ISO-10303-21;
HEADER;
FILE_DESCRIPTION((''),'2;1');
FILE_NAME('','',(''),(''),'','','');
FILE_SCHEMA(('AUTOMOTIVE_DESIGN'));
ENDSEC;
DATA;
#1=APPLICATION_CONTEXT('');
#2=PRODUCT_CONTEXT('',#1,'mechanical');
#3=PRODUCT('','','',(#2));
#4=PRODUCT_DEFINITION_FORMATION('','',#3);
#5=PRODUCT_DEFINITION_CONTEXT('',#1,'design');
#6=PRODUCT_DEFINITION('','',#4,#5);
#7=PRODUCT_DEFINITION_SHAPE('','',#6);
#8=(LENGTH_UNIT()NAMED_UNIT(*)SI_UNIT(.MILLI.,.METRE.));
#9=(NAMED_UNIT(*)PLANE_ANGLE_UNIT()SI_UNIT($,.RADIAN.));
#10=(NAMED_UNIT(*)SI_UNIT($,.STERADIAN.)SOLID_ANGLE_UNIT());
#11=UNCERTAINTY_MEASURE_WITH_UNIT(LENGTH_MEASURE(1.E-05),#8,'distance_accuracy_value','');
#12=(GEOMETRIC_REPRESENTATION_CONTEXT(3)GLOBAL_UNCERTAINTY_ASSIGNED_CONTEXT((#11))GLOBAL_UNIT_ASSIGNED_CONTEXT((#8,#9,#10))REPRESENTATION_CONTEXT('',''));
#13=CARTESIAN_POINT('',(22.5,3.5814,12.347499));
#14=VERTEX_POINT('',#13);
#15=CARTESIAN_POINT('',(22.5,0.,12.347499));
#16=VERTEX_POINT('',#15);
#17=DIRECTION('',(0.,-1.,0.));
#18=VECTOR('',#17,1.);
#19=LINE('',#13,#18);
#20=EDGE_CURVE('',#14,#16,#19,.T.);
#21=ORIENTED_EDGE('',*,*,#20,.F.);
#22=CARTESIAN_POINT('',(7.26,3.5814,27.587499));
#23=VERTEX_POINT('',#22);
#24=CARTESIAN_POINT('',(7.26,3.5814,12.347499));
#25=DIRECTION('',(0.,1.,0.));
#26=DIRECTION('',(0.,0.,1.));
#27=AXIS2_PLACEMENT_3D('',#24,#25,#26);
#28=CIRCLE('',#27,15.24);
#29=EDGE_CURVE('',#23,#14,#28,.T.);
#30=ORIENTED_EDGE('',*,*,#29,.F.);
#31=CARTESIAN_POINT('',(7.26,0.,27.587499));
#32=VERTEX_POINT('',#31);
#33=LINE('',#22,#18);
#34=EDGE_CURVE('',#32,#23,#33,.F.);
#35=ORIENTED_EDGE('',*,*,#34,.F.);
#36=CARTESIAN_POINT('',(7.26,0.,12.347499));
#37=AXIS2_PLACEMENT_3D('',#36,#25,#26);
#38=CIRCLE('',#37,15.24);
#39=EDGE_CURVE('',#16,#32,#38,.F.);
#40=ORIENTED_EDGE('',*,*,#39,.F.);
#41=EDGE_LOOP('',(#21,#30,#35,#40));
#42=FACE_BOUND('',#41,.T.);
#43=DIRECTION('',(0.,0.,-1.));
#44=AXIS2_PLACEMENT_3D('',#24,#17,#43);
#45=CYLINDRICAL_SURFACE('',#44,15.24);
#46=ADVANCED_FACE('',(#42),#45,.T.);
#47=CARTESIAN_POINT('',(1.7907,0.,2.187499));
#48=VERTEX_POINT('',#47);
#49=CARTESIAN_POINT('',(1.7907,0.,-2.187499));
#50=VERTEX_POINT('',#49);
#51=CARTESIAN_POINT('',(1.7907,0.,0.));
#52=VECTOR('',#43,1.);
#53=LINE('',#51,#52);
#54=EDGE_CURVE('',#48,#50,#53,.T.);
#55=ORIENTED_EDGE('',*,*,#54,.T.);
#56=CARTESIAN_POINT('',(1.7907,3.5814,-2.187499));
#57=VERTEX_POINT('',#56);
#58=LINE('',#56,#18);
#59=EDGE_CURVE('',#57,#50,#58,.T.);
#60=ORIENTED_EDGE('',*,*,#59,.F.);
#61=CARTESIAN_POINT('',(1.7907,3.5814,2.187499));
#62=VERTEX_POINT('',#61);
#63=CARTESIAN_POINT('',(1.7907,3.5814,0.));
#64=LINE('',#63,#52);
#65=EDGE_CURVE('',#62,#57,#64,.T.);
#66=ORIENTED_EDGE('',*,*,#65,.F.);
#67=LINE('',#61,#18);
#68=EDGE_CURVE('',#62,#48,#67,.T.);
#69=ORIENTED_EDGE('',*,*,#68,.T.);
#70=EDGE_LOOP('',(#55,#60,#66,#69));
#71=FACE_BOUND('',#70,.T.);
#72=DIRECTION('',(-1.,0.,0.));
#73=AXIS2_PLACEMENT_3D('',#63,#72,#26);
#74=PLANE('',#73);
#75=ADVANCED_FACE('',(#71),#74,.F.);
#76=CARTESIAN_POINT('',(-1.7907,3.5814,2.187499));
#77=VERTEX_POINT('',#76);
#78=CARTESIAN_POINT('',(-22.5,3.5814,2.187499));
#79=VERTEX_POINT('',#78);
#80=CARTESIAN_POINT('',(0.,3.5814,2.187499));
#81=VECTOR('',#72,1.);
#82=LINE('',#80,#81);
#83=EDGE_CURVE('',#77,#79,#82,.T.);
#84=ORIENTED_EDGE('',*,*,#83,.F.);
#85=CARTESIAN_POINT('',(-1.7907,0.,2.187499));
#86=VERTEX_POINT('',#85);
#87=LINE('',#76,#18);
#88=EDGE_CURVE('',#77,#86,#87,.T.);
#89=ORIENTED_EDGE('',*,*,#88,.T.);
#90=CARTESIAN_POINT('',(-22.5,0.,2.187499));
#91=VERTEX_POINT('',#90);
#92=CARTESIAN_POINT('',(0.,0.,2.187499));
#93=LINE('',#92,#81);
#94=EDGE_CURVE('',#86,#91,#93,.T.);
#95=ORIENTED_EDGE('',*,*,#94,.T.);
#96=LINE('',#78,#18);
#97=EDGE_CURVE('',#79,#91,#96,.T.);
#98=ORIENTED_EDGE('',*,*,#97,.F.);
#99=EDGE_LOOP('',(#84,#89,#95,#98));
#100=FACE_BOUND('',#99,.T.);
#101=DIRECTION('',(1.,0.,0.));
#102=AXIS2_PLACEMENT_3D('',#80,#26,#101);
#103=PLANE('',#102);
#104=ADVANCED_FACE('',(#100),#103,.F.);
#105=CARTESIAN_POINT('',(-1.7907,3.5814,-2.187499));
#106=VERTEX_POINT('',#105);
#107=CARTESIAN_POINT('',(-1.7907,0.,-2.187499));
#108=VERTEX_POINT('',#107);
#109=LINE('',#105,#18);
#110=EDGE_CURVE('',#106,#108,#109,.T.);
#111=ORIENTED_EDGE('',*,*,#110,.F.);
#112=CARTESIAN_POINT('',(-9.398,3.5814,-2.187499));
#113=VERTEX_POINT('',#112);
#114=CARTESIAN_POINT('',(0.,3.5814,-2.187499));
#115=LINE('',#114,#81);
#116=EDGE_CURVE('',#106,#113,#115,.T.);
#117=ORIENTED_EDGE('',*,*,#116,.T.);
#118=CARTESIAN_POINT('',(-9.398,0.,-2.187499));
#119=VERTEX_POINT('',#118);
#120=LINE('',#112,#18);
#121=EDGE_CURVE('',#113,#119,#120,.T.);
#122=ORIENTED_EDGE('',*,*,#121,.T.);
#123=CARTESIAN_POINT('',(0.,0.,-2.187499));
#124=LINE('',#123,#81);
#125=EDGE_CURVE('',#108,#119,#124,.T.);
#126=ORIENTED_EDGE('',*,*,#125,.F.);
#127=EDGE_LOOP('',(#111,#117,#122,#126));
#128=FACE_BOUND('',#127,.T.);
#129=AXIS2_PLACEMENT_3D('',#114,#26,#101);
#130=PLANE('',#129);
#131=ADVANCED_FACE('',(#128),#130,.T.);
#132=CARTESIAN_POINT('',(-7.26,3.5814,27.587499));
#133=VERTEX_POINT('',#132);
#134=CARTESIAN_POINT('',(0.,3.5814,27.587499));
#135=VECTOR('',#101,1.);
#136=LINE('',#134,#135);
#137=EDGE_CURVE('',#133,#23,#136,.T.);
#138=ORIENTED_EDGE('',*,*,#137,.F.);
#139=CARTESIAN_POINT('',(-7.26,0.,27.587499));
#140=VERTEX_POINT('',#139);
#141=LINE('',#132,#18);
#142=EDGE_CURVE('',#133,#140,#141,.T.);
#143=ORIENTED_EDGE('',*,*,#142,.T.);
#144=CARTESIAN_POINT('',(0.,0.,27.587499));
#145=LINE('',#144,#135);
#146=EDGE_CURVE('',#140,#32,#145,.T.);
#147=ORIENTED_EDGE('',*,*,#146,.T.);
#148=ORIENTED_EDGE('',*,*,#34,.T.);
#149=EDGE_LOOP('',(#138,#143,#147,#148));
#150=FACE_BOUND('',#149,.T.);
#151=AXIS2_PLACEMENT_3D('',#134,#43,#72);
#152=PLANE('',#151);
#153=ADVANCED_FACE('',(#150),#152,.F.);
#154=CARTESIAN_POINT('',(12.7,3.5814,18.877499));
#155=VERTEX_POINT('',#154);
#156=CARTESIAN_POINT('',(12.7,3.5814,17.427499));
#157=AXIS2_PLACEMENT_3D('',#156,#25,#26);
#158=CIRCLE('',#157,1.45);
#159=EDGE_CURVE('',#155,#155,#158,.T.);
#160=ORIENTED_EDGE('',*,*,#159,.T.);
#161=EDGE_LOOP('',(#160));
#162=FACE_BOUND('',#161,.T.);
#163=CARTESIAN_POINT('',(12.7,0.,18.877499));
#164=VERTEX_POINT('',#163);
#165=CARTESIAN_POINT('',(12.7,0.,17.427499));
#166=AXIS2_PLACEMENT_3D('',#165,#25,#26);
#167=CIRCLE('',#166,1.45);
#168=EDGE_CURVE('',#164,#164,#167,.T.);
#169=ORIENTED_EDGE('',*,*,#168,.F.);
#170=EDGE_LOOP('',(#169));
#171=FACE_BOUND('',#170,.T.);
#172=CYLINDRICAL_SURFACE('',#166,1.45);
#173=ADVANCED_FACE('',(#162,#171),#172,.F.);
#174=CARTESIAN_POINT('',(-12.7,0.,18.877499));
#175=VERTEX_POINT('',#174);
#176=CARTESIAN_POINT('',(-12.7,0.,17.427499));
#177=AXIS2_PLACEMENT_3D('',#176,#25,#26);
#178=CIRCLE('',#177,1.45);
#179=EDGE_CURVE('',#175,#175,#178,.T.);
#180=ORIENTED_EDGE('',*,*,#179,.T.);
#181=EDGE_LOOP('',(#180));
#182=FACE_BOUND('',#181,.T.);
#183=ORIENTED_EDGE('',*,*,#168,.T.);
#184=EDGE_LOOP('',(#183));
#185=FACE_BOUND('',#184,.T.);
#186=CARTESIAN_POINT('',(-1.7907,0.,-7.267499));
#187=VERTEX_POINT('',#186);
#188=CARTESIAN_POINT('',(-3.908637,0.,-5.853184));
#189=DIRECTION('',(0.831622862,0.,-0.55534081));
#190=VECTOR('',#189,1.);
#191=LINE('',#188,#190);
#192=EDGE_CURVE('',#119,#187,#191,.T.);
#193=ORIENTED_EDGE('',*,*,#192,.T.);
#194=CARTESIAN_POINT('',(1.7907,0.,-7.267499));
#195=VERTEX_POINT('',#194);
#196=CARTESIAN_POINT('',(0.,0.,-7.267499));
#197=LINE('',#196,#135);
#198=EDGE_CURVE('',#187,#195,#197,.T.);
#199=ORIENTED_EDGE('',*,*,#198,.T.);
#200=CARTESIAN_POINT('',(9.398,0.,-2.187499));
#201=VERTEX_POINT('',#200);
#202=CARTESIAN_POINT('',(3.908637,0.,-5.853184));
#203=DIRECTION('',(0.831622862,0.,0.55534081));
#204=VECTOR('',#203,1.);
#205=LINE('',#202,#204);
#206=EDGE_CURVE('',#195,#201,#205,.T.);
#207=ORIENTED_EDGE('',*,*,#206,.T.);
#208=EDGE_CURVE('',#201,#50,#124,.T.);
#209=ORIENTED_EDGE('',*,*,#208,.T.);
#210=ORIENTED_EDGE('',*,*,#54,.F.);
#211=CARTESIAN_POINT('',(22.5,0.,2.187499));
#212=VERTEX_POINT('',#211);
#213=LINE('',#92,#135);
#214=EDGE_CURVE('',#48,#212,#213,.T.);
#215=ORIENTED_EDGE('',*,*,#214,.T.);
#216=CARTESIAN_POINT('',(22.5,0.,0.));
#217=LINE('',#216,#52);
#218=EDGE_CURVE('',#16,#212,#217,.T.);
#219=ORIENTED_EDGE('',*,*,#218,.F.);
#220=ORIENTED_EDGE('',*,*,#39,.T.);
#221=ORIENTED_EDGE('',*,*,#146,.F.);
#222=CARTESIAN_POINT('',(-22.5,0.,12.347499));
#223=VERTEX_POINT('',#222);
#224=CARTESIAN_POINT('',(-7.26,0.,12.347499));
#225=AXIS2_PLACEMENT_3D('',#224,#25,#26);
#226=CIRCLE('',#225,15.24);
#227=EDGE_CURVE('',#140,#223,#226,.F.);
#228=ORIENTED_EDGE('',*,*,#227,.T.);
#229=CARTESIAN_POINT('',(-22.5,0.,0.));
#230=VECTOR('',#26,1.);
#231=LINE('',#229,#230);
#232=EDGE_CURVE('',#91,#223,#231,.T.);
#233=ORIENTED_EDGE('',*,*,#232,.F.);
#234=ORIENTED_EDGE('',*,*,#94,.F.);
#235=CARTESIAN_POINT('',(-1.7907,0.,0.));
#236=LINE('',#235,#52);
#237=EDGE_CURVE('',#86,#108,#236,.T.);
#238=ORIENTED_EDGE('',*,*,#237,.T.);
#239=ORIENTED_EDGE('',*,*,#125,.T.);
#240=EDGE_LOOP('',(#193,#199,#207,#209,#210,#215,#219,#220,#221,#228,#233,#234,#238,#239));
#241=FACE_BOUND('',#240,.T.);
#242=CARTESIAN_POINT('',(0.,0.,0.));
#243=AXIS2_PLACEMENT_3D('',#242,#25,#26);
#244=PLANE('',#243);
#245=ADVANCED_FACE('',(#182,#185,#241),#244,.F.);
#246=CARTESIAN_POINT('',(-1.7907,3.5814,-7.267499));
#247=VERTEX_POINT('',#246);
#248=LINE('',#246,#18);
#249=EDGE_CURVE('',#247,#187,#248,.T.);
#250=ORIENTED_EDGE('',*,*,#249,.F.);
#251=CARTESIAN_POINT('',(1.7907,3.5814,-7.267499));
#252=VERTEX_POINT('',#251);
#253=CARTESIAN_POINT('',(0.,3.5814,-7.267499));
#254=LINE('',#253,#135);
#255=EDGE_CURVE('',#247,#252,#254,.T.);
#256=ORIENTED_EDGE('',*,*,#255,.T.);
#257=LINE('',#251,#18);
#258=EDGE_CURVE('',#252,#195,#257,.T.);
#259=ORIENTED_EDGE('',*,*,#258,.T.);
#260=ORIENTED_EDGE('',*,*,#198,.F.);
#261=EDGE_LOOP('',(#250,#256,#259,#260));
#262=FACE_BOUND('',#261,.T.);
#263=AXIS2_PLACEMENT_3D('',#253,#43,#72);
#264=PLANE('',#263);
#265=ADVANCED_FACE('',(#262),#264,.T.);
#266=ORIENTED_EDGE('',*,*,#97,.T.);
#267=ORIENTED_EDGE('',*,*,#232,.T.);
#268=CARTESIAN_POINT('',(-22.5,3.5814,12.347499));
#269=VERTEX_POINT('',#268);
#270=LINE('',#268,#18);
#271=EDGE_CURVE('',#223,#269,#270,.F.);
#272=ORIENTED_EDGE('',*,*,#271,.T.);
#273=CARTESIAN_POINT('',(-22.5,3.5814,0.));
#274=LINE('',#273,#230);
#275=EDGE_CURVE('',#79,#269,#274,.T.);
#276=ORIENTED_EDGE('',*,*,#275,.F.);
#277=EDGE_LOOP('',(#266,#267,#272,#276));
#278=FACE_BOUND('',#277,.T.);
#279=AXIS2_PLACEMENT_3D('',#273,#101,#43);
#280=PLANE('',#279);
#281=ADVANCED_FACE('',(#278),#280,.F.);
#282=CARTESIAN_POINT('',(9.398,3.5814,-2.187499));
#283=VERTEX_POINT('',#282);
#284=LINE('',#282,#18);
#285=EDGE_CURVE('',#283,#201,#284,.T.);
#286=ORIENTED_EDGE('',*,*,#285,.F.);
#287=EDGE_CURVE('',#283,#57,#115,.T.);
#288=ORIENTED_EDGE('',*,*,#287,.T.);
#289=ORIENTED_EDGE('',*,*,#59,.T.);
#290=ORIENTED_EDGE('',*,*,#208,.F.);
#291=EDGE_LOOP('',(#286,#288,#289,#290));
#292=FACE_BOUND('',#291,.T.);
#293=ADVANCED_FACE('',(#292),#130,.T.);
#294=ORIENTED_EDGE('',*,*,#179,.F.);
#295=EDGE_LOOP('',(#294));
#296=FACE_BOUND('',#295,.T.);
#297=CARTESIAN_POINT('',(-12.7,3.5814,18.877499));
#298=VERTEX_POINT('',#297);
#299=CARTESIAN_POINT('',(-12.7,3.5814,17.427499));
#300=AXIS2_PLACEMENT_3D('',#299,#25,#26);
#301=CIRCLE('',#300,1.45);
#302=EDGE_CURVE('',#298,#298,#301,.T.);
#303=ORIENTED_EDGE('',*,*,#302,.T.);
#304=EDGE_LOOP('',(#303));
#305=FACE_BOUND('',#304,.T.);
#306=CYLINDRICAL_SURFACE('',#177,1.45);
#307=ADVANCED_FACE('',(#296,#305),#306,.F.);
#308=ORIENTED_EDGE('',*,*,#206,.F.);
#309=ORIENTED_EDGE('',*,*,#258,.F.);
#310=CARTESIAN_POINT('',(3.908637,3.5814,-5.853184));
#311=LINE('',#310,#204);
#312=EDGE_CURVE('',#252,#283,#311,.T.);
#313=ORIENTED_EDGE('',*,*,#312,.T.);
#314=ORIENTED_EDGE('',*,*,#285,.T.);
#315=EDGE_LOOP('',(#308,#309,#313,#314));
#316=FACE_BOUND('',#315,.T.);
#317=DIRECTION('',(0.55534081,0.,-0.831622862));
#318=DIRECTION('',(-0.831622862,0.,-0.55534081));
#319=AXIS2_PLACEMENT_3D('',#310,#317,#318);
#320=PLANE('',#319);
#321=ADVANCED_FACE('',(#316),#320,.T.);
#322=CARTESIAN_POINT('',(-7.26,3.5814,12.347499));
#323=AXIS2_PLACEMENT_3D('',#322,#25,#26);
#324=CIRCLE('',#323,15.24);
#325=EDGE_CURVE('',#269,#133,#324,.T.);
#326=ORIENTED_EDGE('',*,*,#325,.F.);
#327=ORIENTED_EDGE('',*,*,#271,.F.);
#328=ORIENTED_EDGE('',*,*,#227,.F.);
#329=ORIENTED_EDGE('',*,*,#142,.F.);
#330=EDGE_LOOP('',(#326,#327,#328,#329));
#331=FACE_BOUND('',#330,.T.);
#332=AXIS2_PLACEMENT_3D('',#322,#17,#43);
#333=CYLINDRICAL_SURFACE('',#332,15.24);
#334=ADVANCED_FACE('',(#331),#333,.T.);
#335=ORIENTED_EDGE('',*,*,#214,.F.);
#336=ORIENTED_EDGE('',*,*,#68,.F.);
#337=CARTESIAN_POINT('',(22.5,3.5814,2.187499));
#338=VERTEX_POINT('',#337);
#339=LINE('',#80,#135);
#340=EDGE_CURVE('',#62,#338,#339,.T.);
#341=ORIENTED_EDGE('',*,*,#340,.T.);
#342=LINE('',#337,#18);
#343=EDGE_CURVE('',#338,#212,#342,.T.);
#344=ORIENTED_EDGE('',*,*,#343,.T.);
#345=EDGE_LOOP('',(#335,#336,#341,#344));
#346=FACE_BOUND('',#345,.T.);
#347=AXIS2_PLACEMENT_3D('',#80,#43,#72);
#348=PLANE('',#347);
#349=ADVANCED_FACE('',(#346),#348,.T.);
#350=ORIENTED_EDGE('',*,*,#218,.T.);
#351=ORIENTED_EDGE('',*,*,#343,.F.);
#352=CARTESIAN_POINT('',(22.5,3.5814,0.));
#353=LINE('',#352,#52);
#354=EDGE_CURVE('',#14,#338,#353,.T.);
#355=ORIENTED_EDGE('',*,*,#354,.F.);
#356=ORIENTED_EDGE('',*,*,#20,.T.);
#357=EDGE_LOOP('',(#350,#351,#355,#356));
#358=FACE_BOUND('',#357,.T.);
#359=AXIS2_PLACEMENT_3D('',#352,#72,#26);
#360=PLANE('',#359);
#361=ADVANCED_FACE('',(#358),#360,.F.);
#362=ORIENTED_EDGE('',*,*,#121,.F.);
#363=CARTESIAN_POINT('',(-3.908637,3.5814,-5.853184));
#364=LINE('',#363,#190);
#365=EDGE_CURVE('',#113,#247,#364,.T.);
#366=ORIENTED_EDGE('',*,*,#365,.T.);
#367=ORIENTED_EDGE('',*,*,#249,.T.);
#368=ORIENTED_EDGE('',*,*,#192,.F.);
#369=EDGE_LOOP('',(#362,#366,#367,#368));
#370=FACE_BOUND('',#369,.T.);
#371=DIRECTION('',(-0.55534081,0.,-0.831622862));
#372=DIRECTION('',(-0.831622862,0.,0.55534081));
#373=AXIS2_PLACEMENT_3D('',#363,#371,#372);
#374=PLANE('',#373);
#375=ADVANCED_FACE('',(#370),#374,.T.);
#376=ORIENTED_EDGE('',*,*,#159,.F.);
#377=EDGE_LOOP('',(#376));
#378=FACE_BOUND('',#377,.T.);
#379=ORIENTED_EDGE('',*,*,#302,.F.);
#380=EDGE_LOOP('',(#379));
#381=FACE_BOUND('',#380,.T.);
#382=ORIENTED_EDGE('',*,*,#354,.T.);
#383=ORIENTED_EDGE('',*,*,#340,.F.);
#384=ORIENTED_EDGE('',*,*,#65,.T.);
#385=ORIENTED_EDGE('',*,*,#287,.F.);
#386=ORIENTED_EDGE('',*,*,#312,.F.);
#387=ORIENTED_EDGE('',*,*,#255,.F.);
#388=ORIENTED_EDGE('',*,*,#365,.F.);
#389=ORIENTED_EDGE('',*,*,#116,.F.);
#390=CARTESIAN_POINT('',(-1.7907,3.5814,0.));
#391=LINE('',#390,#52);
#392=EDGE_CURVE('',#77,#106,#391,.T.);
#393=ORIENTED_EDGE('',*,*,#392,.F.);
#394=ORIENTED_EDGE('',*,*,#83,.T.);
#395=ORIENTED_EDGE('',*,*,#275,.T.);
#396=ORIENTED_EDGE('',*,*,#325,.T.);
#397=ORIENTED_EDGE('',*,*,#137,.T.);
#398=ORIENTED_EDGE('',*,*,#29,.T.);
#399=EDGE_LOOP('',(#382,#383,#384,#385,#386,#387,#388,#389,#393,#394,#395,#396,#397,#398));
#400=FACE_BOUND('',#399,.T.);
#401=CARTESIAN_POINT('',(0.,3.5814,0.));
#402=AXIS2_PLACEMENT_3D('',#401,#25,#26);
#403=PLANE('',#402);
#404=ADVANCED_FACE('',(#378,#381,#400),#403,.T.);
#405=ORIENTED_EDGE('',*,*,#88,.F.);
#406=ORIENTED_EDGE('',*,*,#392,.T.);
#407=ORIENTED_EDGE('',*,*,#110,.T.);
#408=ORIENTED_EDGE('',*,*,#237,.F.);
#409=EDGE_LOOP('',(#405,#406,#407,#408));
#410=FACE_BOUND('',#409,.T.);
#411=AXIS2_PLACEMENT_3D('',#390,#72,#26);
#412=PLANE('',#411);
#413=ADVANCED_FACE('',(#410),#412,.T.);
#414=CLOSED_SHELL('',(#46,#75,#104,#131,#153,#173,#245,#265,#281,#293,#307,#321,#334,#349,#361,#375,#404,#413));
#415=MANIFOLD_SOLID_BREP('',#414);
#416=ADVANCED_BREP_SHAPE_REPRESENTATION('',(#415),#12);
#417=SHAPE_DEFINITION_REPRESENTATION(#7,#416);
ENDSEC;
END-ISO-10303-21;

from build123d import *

# Parameters (mm, degrees)
BOSS_EXTRUDE1_DEPTH = 3.5814
SKETCH2_R           = 1.45
CUT_EXTRUDE1_DEPTH  = 36.779135205
FILLET1_R           = 15.24


with BuildPart() as part:
    # Sketch1 → Boss-Extrude1 (new body)
    with BuildSketch(Plane(origin=(0, 0, 0), x_dir=(1, 0, 0), z_dir=(0, 1, 0))):
        Polygon((-22.5, -27.5874988), (22.5, -27.5874988), (22.5, -2.1874988), (1.7907, -2.1874988), (1.7907, 2.1874988), (9.398, 2.1874988), (1.7907, 7.2674988), (-1.7907, 7.2674988), (-9.398, 2.1874988), (-1.7907, 2.1874988), (-1.7907, -2.1874988), (-22.5, -2.1874988), align=None)
    extrude(amount=BOSS_EXTRUDE1_DEPTH)

    # Sketch2 → Cut-Extrude1 (cut, through all)
    with BuildSketch(Plane(origin=(0, 3.5814, 0), x_dir=(1, 0, 0), z_dir=(0, 1, 0))):
        with Locations(Location((-12.7, -17.4274988, 0), (0, 0, 270))):
            Circle(SKETCH2_R)
        with Locations(Location((12.7, -17.4274988, 0), (0, 0, 270))):
            Circle(SKETCH2_R)
    extrude(amount=-CUT_EXTRUDE1_DEPTH, mode=Mode.SUBTRACT)

    # Fillet1
    fillet1_edges = [part.edges().sort_by_distance(p)[0] for p in [
        (-22.5, 1.7907, 27.5874988),
        (22.5, 1.7907, 27.5874988),
    ]]
    fillet(fillet1_edges, radius=FILLET1_R)


solid = part.part
